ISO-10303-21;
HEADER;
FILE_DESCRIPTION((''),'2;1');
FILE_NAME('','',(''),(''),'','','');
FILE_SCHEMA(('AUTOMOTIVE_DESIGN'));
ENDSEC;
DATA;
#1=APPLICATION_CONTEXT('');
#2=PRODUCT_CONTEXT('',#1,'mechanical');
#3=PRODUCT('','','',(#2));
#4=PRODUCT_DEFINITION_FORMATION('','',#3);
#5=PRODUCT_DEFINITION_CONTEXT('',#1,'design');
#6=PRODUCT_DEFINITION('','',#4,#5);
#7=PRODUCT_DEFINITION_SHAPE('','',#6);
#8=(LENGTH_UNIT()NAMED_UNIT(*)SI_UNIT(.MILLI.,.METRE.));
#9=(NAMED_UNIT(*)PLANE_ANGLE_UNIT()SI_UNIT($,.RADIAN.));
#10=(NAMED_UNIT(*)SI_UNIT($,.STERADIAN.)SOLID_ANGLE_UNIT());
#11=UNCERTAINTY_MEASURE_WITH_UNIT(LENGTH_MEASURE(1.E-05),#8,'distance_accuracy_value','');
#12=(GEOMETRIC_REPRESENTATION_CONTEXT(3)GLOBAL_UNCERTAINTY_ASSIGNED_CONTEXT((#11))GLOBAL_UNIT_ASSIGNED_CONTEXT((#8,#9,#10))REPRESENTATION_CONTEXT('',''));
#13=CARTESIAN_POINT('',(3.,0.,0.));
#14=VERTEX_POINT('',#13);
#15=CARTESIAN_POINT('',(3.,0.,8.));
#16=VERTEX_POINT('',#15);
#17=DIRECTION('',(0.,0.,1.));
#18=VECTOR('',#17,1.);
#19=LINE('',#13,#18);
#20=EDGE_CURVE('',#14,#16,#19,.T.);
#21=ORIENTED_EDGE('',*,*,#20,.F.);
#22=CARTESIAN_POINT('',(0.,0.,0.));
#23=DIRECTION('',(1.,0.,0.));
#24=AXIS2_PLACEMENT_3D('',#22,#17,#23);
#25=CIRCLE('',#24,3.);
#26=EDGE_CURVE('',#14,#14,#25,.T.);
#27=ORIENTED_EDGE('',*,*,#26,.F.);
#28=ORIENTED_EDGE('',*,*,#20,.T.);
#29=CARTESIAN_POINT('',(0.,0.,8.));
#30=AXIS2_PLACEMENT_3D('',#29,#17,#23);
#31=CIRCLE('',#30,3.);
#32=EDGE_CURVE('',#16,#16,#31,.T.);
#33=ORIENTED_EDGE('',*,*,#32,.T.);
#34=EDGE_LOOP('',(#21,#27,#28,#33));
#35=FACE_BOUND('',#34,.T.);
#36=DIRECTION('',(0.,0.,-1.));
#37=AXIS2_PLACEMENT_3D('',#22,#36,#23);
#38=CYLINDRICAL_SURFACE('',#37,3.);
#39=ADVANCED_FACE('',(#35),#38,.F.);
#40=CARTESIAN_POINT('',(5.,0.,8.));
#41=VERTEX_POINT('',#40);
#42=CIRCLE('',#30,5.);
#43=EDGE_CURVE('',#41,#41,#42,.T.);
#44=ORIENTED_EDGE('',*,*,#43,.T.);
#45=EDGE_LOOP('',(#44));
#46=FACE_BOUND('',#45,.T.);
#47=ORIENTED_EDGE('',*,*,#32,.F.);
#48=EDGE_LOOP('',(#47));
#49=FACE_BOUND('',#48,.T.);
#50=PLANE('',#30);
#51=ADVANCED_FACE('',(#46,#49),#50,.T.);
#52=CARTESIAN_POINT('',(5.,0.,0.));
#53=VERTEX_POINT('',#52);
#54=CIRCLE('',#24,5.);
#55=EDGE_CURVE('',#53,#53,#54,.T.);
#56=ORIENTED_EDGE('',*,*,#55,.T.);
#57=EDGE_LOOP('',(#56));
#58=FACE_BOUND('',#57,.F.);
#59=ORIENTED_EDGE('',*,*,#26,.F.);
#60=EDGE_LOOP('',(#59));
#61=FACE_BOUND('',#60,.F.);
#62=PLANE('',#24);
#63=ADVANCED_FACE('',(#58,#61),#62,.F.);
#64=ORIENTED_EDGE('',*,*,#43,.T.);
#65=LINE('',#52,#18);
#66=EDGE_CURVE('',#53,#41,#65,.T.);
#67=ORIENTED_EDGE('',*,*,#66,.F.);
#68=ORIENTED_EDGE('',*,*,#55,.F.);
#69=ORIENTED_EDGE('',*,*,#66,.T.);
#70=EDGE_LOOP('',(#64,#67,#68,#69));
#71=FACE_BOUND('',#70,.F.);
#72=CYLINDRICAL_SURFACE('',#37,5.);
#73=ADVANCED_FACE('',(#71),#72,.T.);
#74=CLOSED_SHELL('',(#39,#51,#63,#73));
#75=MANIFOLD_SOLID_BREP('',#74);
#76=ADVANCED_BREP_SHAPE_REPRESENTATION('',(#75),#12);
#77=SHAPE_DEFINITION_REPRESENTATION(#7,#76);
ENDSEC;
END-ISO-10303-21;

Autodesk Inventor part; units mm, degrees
ref_plane "YZ Plane" through (0, 0, 0) normal (1, 0, 0) x (0, 1, 0)
ref_plane "XZ Plane" through (0, 0, 0) normal (0, 1, 0) x (-1, 0, 0)
ref_plane "XY Plane" through (0, 0, 0) normal (0, 0, 1) x (1, 0, 0)
sketch "スケッチ1" plane through (0, 0, 0) normal (0, 0, 1) x (1, 0, 0)
  circle A0 centre (0, 0) radius 5
  circle A1 centre (0, 0) radius 3
  dimension "d0" = 10
  dimension "d1" = 6
extrude "押し出し1" add sketch "スケッチ1" along normal blind 8
properties part number "スペーサーM6L8樹脂" material "アセタール樹脂、白"
